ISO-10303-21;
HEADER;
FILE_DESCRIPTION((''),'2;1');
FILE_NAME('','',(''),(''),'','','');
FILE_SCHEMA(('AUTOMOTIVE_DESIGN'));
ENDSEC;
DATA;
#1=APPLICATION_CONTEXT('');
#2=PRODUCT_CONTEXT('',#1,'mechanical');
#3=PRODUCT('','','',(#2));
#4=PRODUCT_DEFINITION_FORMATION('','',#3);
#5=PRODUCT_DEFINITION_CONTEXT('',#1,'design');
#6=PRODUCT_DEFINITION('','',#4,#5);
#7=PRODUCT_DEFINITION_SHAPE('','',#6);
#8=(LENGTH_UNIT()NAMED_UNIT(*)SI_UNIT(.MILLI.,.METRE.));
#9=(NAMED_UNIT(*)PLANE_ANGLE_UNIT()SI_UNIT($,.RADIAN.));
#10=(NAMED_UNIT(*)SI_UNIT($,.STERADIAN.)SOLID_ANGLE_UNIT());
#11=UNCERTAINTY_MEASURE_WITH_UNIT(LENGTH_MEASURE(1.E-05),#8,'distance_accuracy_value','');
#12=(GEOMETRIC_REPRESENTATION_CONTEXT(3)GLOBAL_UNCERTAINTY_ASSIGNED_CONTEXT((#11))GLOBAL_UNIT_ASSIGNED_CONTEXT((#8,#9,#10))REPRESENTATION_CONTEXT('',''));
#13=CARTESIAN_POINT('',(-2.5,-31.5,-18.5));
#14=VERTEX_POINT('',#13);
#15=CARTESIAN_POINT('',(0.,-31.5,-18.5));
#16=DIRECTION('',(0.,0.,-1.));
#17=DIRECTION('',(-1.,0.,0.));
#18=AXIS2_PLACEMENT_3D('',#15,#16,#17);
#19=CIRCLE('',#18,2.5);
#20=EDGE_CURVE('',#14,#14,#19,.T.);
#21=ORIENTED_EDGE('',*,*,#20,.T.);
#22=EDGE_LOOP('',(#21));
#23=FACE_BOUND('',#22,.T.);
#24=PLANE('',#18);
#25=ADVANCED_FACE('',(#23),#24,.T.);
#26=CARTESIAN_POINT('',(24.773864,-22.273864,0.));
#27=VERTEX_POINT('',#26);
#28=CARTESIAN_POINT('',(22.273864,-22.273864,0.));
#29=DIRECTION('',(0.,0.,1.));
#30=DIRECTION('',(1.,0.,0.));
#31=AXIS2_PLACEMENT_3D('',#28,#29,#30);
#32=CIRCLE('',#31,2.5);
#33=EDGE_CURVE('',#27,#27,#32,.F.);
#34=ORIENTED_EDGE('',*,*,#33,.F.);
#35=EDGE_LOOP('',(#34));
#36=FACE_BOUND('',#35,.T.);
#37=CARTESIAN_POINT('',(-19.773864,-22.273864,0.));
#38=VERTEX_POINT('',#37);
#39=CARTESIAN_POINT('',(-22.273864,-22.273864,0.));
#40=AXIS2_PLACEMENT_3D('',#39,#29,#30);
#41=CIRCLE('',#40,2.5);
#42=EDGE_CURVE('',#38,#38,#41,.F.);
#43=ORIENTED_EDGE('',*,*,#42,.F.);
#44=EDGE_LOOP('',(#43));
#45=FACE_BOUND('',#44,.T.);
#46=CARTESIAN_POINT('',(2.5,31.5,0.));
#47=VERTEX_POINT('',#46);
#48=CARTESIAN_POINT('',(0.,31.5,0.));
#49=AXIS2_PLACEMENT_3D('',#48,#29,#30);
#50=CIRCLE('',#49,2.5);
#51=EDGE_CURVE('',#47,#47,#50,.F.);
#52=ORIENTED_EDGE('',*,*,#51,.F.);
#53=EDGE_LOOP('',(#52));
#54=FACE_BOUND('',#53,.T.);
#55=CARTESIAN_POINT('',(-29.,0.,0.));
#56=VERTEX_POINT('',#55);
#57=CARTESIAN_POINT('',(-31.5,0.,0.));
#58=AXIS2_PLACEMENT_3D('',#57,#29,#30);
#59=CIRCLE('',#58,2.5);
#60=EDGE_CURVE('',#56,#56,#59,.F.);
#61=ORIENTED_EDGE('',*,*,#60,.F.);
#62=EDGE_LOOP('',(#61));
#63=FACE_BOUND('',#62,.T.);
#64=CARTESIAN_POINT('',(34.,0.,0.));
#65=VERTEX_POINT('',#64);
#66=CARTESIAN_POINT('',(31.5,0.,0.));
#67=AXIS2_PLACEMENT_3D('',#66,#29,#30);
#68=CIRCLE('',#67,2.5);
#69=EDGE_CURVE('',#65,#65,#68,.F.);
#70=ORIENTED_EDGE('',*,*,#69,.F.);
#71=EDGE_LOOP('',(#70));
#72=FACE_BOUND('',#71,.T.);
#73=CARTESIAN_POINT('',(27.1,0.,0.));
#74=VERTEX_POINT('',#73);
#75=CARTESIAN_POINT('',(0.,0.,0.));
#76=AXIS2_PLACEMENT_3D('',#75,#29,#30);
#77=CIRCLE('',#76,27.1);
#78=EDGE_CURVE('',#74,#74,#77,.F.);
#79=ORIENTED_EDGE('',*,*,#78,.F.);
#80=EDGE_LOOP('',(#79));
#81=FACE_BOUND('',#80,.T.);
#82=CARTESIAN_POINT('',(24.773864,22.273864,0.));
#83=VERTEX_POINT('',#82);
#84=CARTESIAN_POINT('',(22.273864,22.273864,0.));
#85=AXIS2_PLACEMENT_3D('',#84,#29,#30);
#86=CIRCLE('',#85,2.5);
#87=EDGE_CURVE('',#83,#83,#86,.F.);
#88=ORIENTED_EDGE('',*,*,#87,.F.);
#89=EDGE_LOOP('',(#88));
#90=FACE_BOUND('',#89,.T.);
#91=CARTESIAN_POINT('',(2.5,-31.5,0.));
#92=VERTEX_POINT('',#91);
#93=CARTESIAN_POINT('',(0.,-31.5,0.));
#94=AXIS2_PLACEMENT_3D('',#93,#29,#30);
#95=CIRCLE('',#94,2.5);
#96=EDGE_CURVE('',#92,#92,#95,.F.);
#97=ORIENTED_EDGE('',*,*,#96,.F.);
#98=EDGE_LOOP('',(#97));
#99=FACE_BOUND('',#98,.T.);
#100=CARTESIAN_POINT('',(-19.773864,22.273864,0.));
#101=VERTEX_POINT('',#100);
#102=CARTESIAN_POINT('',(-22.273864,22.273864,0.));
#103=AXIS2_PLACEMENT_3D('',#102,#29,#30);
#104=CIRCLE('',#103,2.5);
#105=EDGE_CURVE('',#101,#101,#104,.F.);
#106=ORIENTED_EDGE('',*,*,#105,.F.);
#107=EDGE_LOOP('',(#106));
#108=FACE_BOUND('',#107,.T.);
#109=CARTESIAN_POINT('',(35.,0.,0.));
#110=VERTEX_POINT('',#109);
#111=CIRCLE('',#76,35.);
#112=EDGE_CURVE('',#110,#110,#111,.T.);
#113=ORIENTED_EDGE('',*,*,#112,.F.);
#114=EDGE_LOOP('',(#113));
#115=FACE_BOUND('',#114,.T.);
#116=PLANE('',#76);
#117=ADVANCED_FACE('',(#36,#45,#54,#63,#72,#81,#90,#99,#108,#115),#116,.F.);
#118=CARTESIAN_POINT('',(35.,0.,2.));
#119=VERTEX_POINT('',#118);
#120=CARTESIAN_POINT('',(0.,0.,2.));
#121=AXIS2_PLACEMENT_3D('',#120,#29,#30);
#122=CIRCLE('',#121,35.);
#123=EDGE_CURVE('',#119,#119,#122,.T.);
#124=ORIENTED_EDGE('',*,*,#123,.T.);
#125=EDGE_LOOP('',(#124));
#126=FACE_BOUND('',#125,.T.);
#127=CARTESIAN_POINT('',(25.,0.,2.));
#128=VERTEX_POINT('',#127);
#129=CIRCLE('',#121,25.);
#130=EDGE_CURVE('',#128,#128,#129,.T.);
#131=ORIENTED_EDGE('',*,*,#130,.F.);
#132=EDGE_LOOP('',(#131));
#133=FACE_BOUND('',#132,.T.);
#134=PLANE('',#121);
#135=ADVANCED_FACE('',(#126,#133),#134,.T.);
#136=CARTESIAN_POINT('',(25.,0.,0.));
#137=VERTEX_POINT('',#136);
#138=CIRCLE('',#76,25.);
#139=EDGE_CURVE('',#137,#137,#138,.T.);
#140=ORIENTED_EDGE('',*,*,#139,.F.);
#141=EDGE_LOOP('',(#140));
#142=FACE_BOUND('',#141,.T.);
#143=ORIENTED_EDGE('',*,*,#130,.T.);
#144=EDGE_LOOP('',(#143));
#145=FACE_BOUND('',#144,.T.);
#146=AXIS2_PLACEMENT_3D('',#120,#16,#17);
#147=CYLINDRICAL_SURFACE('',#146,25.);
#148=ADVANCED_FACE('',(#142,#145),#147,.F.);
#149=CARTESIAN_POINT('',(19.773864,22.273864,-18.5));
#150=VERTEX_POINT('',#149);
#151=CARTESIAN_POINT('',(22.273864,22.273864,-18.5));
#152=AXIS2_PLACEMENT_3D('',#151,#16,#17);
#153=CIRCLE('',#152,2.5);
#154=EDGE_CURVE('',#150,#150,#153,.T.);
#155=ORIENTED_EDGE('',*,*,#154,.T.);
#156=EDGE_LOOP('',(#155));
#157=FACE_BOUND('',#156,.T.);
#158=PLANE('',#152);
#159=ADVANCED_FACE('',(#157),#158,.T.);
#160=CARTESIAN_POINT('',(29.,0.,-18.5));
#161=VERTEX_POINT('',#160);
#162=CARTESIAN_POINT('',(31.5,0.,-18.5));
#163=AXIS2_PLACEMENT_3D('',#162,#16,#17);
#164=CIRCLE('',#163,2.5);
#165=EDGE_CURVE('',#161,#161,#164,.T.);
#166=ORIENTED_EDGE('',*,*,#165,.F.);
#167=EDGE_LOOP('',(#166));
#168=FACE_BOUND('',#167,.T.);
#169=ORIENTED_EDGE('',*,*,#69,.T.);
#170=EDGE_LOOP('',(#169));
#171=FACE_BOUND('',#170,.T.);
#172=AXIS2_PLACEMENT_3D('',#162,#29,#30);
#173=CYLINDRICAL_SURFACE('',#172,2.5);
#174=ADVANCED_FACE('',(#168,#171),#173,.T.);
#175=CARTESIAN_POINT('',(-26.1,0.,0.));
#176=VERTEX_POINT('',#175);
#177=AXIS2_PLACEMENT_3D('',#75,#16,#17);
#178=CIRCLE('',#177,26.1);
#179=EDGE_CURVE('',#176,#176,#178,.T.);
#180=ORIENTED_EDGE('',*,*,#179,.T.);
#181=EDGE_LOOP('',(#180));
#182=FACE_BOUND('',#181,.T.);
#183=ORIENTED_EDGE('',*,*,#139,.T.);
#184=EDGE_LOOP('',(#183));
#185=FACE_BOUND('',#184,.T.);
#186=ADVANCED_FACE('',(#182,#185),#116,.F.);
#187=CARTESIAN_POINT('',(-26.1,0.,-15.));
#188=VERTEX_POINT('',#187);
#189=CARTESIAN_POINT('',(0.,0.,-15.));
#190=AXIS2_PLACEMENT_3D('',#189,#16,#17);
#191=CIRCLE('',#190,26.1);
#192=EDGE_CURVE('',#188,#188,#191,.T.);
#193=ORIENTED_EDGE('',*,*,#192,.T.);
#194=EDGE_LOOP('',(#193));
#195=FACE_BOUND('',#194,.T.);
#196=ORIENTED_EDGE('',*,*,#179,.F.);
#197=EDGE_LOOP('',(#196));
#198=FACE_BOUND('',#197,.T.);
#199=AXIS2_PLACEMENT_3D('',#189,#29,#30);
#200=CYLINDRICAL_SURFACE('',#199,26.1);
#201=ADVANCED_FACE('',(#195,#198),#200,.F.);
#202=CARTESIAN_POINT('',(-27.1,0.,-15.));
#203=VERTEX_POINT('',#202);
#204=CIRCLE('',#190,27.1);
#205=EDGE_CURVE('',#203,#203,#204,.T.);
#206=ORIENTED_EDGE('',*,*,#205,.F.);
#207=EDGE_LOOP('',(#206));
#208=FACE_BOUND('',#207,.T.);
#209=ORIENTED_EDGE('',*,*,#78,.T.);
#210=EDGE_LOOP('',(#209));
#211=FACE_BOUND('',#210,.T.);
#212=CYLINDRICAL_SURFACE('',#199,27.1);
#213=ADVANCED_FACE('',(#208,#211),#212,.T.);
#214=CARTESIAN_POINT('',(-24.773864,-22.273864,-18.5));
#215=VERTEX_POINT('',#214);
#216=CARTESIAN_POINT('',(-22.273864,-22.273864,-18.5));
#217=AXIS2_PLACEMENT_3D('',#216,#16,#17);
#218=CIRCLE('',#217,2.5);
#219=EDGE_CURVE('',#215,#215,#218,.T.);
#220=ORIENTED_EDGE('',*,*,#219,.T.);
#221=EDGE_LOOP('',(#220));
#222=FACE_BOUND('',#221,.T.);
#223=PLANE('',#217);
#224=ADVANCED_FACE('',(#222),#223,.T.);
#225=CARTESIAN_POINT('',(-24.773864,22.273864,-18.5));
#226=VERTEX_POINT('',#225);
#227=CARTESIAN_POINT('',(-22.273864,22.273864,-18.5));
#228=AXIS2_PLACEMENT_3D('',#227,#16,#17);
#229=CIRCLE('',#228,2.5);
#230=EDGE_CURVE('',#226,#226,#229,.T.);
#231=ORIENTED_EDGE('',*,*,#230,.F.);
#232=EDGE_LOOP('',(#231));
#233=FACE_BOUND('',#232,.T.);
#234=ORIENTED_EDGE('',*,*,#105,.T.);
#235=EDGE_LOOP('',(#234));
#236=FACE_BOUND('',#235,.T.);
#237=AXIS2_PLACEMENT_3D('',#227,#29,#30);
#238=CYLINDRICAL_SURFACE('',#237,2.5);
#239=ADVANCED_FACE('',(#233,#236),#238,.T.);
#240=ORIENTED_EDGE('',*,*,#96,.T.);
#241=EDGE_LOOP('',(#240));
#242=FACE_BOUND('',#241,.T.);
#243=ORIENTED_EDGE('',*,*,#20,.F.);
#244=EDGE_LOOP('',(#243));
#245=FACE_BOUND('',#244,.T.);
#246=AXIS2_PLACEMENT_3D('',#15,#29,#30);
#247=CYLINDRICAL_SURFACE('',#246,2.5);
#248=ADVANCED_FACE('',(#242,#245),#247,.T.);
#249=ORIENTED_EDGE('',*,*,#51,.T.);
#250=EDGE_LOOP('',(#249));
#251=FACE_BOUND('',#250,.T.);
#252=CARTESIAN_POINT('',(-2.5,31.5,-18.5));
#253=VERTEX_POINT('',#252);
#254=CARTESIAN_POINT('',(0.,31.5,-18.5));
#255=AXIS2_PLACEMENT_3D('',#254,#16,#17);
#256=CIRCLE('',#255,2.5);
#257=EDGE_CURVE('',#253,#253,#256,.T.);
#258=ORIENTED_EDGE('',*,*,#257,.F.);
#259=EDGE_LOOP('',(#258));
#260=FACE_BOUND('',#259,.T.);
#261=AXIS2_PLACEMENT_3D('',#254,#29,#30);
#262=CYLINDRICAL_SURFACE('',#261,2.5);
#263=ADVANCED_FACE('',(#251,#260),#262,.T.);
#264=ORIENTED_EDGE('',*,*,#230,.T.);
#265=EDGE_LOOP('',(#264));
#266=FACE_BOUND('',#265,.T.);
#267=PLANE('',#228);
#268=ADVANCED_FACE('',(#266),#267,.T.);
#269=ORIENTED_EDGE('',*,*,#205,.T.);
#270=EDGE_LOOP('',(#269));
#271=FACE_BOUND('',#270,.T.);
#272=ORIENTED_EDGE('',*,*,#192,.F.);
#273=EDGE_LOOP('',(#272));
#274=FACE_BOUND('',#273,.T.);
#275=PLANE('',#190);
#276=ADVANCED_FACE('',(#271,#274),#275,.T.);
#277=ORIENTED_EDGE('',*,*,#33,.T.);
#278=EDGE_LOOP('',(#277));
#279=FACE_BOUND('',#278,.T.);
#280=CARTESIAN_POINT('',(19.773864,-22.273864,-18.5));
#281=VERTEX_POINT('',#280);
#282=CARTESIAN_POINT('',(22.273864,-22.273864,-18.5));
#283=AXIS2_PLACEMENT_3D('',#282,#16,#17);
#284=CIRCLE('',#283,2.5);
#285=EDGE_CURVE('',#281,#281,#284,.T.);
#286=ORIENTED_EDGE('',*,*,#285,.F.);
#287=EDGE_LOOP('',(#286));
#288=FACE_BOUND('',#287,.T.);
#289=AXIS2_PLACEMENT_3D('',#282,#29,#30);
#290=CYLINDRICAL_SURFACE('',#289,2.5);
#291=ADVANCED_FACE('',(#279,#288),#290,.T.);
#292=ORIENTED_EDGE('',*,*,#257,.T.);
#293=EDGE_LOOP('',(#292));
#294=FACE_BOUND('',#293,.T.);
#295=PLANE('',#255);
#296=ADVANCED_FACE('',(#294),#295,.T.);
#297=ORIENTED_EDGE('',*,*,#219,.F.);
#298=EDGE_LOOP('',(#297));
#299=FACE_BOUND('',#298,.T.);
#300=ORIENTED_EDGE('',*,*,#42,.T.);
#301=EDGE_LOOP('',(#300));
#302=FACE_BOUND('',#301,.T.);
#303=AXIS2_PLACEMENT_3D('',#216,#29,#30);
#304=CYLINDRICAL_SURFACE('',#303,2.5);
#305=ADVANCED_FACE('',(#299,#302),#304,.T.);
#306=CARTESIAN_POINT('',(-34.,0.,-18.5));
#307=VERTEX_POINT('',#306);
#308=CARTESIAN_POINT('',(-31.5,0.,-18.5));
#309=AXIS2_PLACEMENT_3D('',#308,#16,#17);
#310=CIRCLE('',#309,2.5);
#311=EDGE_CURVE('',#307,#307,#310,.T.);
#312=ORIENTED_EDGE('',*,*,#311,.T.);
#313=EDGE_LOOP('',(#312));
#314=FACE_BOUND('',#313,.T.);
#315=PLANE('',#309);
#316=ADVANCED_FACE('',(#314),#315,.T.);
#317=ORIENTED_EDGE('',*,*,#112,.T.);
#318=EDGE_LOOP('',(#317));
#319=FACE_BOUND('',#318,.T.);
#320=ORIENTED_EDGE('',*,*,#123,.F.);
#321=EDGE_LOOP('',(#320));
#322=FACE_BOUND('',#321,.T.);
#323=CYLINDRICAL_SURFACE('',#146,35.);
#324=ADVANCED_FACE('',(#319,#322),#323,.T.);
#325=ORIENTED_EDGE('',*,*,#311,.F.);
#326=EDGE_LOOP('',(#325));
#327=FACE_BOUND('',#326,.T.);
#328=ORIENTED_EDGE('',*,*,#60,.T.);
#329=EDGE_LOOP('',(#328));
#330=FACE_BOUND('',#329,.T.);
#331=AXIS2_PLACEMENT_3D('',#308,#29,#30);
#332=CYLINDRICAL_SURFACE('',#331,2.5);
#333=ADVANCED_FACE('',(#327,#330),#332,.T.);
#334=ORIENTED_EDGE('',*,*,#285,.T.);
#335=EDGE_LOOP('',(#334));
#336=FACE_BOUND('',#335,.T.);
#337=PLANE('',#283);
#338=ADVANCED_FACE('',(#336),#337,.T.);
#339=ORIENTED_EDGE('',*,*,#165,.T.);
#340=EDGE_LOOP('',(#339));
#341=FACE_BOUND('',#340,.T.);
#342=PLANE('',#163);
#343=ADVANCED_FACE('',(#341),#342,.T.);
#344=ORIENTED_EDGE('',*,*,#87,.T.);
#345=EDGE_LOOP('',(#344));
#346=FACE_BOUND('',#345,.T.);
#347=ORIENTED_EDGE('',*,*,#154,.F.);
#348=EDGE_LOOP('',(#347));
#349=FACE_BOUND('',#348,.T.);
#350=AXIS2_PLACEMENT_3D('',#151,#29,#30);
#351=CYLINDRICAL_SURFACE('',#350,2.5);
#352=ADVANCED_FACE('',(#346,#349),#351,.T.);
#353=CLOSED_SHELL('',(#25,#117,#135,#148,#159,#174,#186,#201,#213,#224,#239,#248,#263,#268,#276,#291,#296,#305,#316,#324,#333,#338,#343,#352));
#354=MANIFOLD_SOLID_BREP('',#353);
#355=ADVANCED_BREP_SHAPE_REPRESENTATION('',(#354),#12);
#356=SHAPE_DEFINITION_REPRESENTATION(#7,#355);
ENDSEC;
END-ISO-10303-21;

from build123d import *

# Parameters (mm, degrees)
CROQUIS1_R              = 35
CROQUIS1_R_2            = 25
SALIENTE_EXTRUIR1_DEPTH = 2
CROQUIS2_R              = 27.1
CROQUIS2_R_2            = 26.1
SALIENTE_EXTRUIR3_DEPTH = 15
CROQUIS5_R              = 2.5
SALIENTE_EXTRUIR5_DEPTH = 18.5


with BuildPart() as part:
    # Croquis1 → Saliente-Extruir1 (new body)
    with BuildSketch(Plane.XY):
        Circle(CROQUIS1_R)
        Circle(CROQUIS1_R_2, mode=Mode.SUBTRACT)
    extrude(amount=SALIENTE_EXTRUIR1_DEPTH)

    # Croquis2 → Saliente-Extruir3 (add)
    with BuildSketch(Plane(origin=(0, 0, 0), x_dir=(-1, 0, 0), z_dir=(0, 0, -1))):
        with Locations(Location((0, 0, 0), (0, 0, 180))):
            Circle(CROQUIS2_R)
        Circle(CROQUIS2_R_2, mode=Mode.SUBTRACT)
    extrude(amount=SALIENTE_EXTRUIR3_DEPTH)

    # Croquis5 → Saliente-Extruir5 (add)
    with BuildSketch(Plane(origin=(0, 0, 0), x_dir=(-1, 0, 0), z_dir=(0, 0, -1))):
        with Locations(Location((31.5, 0, 0), (0, 0, 180))):
            Circle(CROQUIS5_R)
        with Locations(Location((22.273863607, -22.273863607, 0), (0, 0, 180))):
            Circle(CROQUIS5_R)
        with Locations(Location((0, -31.5, 0), (0, 0, 180))):
            Circle(CROQUIS5_R)
        with Locations(Location((-22.273863607, -22.273863607, 0), (0, 0, 180))):
            Circle(CROQUIS5_R)
        with Locations(Location((-31.5, 0, 0), (0, 0, 180))):
            Circle(CROQUIS5_R)
        with Locations(Location((-22.273863607, 22.273863607, 0), (0, 0, 180))):
            Circle(CROQUIS5_R)
        with Locations(Location((0, 31.5, 0), (0, 0, 180))):
            Circle(CROQUIS5_R)
        with Locations(Location((22.273863607, 22.273863607, 0), (0, 0, 180))):
            Circle(CROQUIS5_R)
    extrude(amount=SALIENTE_EXTRUIR5_DEPTH)


solid = part.part
